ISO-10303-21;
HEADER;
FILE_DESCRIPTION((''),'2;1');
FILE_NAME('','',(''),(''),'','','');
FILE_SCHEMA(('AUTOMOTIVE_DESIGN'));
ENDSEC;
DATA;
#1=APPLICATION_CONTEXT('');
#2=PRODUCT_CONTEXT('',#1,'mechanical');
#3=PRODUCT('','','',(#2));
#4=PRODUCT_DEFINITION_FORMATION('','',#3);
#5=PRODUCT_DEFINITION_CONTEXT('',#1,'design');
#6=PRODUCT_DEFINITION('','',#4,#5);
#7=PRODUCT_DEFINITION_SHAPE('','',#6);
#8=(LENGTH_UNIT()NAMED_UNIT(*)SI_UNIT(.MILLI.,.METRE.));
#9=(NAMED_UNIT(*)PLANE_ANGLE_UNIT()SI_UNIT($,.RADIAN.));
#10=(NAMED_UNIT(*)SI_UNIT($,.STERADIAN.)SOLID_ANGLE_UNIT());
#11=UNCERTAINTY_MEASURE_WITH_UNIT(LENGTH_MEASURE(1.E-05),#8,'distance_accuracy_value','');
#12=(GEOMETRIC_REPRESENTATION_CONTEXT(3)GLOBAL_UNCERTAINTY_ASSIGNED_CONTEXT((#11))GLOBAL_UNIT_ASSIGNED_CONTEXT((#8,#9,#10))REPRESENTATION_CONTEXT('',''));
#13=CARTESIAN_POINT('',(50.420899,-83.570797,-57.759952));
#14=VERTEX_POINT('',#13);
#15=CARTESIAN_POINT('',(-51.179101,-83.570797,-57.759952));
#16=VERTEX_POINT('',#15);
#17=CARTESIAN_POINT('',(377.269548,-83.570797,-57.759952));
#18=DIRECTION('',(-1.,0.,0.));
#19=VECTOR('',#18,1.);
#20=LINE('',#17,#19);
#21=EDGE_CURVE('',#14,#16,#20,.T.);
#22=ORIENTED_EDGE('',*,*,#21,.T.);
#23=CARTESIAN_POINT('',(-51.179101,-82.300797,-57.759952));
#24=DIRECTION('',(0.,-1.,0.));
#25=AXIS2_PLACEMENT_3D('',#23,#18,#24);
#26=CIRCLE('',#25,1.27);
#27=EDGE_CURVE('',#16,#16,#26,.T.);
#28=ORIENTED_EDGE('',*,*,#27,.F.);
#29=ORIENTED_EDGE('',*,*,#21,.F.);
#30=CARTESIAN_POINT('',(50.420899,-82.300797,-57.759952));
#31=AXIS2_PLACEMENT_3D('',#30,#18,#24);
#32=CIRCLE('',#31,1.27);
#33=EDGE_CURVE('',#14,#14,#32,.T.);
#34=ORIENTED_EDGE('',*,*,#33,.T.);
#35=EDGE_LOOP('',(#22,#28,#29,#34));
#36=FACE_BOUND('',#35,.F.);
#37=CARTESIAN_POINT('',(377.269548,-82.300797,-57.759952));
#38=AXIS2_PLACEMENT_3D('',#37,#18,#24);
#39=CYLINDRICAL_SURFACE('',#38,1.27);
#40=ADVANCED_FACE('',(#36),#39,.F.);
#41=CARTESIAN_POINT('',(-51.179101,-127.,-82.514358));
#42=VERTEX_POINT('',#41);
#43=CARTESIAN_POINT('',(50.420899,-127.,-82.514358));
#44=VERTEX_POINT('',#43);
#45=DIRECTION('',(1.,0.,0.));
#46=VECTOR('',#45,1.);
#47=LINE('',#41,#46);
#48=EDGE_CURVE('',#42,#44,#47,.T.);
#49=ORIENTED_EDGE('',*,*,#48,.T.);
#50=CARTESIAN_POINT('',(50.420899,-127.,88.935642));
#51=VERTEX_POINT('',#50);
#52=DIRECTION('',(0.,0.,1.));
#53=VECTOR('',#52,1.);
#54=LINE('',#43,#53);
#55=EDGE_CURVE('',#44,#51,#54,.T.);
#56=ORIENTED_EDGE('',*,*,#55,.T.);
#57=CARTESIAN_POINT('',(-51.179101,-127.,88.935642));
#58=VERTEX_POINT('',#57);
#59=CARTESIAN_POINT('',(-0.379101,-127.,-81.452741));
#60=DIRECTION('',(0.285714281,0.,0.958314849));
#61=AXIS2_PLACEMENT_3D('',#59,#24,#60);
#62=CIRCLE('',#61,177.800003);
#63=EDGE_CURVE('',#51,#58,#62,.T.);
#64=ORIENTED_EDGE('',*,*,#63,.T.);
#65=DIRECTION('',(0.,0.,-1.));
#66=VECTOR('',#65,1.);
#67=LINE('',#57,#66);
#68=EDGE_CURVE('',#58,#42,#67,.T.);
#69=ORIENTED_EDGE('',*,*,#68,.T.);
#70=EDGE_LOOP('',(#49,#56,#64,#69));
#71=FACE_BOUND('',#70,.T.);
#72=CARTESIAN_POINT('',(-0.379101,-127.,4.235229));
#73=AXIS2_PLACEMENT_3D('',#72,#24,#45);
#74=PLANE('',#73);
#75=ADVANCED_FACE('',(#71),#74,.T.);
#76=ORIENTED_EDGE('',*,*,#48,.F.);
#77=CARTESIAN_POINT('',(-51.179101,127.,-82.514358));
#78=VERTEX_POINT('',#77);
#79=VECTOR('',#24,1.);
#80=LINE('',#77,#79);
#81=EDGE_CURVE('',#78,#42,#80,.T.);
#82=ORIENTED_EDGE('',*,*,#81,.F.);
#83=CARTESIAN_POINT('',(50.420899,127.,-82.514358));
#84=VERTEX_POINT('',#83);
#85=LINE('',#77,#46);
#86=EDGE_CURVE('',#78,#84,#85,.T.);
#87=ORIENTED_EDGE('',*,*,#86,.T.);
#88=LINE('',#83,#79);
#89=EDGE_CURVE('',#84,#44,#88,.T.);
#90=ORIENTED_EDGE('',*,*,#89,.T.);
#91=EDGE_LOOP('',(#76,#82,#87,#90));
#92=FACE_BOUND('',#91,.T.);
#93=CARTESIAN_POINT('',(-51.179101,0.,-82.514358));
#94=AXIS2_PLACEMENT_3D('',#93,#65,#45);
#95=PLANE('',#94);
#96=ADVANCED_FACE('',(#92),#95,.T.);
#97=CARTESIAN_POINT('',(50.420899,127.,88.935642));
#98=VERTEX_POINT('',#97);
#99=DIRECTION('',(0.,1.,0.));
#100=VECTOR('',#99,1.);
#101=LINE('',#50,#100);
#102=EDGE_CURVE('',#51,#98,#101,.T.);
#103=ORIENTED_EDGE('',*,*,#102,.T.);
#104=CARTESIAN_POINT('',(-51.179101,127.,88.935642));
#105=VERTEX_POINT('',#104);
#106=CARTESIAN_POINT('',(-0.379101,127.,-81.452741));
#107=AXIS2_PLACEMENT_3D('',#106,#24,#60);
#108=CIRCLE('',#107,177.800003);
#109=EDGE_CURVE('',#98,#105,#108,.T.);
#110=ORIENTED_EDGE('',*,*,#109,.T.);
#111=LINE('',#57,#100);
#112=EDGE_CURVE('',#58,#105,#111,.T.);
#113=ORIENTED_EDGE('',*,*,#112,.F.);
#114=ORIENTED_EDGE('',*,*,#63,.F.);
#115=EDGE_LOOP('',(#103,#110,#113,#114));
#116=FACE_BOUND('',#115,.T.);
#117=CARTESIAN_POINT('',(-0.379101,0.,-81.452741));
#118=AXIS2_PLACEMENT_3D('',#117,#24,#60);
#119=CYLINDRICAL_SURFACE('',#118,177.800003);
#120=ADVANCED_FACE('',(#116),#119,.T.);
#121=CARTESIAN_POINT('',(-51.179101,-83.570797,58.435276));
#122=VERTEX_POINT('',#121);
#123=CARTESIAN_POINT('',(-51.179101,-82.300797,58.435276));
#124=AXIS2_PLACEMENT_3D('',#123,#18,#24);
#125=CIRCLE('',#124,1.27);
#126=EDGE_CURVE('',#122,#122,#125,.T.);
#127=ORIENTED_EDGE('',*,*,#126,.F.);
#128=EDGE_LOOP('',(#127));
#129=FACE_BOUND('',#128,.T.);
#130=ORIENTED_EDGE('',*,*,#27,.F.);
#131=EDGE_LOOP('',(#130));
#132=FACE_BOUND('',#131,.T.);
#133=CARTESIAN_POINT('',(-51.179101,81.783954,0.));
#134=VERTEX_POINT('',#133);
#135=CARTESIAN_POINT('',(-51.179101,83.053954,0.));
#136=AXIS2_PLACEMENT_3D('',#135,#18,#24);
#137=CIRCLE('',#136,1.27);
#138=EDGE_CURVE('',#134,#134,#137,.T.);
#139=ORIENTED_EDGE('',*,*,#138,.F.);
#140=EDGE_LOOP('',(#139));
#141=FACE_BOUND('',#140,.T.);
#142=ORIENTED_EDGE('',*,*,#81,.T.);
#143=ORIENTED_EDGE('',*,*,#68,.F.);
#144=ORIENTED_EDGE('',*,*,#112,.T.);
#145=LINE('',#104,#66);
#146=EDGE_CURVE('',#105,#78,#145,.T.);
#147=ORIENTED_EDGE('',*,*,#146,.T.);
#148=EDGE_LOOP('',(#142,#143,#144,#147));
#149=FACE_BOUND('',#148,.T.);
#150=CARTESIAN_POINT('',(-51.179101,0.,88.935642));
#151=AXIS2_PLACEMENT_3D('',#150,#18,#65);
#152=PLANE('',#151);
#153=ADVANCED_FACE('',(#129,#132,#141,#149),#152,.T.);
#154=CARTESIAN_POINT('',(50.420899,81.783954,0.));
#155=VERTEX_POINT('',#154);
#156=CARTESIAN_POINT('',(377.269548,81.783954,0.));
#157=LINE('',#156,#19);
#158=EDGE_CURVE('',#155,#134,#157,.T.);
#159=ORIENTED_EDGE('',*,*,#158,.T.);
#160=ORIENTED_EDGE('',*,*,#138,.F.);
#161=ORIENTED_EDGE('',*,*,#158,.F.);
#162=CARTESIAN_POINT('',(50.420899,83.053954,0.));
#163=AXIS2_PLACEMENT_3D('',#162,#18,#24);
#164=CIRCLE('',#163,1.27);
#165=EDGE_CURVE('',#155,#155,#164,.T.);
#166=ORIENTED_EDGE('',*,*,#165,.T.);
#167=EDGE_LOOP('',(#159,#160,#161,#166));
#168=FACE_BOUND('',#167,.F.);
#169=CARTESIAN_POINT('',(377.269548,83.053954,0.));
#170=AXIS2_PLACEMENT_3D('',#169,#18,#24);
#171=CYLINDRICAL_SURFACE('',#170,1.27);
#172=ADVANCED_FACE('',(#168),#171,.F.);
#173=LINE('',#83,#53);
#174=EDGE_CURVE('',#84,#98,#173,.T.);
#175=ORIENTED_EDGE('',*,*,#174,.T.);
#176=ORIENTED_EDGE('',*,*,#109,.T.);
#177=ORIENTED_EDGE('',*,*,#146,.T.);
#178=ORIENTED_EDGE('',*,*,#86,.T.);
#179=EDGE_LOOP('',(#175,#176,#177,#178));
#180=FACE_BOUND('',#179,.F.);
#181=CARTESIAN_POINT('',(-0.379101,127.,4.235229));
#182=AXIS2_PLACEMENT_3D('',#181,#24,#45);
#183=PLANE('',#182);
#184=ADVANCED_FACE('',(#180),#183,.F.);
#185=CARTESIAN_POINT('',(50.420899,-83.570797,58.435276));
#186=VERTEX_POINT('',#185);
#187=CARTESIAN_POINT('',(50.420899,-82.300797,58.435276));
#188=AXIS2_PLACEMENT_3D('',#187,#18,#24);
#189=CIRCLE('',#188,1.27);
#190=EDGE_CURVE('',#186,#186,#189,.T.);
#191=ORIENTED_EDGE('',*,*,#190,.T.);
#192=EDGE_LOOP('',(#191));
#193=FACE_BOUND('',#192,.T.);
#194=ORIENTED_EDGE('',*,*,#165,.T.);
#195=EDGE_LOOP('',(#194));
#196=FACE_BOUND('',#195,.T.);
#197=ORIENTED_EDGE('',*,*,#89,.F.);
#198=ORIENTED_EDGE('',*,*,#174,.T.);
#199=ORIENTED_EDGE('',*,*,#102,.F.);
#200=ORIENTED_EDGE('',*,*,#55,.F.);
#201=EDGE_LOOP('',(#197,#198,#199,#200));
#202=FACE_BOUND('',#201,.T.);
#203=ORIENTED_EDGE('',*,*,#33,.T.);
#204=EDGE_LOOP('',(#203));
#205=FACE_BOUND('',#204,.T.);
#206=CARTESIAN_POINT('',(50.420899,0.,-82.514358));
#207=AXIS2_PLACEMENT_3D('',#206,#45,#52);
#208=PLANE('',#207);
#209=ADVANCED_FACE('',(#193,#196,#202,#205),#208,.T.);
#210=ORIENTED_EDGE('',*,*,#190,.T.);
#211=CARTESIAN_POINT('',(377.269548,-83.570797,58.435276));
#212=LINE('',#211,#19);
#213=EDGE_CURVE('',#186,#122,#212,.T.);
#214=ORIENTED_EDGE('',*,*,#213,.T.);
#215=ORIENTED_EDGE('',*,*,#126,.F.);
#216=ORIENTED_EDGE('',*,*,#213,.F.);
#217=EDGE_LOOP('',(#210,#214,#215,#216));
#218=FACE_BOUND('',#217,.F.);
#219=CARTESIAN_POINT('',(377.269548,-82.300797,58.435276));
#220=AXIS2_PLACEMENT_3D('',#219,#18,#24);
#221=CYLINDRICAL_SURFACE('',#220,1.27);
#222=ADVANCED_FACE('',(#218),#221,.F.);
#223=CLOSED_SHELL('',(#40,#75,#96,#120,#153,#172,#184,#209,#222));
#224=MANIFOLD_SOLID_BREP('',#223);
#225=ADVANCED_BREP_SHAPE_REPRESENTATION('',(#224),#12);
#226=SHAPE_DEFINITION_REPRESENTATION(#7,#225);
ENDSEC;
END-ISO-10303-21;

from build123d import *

# Parameters (mm, degrees)
F1_DEPTH = 127
F3_D     = 2.54


with BuildPart() as f1:
    # F0 (on Front) → F1 (new body, symmetric)
    with BuildSketch(Plane.XZ):
        with BuildLine():
            Line((-51.179101, 88.935642), (-51.179101, -82.514358))
            Line((-51.179101, -82.514358), (50.420899, -82.514358))
            Line((50.420899, -82.514358), (50.420899, 88.935642))
            ThreePointArc((50.420899, 88.935642), (-0.379101, 96.347262), (-51.179101, 88.935642))
        make_face()
    extrude(amount=F1_DEPTH, both=True)

    # F3 (through all)
    with Locations(Plane.YZ.offset(50.420899)):
        with Locations((-82.300797, 58.435276), (-82.300797, -57.759952), (83.053954, 0)):
            Hole(F3_D / 2)


solid = f1.part
